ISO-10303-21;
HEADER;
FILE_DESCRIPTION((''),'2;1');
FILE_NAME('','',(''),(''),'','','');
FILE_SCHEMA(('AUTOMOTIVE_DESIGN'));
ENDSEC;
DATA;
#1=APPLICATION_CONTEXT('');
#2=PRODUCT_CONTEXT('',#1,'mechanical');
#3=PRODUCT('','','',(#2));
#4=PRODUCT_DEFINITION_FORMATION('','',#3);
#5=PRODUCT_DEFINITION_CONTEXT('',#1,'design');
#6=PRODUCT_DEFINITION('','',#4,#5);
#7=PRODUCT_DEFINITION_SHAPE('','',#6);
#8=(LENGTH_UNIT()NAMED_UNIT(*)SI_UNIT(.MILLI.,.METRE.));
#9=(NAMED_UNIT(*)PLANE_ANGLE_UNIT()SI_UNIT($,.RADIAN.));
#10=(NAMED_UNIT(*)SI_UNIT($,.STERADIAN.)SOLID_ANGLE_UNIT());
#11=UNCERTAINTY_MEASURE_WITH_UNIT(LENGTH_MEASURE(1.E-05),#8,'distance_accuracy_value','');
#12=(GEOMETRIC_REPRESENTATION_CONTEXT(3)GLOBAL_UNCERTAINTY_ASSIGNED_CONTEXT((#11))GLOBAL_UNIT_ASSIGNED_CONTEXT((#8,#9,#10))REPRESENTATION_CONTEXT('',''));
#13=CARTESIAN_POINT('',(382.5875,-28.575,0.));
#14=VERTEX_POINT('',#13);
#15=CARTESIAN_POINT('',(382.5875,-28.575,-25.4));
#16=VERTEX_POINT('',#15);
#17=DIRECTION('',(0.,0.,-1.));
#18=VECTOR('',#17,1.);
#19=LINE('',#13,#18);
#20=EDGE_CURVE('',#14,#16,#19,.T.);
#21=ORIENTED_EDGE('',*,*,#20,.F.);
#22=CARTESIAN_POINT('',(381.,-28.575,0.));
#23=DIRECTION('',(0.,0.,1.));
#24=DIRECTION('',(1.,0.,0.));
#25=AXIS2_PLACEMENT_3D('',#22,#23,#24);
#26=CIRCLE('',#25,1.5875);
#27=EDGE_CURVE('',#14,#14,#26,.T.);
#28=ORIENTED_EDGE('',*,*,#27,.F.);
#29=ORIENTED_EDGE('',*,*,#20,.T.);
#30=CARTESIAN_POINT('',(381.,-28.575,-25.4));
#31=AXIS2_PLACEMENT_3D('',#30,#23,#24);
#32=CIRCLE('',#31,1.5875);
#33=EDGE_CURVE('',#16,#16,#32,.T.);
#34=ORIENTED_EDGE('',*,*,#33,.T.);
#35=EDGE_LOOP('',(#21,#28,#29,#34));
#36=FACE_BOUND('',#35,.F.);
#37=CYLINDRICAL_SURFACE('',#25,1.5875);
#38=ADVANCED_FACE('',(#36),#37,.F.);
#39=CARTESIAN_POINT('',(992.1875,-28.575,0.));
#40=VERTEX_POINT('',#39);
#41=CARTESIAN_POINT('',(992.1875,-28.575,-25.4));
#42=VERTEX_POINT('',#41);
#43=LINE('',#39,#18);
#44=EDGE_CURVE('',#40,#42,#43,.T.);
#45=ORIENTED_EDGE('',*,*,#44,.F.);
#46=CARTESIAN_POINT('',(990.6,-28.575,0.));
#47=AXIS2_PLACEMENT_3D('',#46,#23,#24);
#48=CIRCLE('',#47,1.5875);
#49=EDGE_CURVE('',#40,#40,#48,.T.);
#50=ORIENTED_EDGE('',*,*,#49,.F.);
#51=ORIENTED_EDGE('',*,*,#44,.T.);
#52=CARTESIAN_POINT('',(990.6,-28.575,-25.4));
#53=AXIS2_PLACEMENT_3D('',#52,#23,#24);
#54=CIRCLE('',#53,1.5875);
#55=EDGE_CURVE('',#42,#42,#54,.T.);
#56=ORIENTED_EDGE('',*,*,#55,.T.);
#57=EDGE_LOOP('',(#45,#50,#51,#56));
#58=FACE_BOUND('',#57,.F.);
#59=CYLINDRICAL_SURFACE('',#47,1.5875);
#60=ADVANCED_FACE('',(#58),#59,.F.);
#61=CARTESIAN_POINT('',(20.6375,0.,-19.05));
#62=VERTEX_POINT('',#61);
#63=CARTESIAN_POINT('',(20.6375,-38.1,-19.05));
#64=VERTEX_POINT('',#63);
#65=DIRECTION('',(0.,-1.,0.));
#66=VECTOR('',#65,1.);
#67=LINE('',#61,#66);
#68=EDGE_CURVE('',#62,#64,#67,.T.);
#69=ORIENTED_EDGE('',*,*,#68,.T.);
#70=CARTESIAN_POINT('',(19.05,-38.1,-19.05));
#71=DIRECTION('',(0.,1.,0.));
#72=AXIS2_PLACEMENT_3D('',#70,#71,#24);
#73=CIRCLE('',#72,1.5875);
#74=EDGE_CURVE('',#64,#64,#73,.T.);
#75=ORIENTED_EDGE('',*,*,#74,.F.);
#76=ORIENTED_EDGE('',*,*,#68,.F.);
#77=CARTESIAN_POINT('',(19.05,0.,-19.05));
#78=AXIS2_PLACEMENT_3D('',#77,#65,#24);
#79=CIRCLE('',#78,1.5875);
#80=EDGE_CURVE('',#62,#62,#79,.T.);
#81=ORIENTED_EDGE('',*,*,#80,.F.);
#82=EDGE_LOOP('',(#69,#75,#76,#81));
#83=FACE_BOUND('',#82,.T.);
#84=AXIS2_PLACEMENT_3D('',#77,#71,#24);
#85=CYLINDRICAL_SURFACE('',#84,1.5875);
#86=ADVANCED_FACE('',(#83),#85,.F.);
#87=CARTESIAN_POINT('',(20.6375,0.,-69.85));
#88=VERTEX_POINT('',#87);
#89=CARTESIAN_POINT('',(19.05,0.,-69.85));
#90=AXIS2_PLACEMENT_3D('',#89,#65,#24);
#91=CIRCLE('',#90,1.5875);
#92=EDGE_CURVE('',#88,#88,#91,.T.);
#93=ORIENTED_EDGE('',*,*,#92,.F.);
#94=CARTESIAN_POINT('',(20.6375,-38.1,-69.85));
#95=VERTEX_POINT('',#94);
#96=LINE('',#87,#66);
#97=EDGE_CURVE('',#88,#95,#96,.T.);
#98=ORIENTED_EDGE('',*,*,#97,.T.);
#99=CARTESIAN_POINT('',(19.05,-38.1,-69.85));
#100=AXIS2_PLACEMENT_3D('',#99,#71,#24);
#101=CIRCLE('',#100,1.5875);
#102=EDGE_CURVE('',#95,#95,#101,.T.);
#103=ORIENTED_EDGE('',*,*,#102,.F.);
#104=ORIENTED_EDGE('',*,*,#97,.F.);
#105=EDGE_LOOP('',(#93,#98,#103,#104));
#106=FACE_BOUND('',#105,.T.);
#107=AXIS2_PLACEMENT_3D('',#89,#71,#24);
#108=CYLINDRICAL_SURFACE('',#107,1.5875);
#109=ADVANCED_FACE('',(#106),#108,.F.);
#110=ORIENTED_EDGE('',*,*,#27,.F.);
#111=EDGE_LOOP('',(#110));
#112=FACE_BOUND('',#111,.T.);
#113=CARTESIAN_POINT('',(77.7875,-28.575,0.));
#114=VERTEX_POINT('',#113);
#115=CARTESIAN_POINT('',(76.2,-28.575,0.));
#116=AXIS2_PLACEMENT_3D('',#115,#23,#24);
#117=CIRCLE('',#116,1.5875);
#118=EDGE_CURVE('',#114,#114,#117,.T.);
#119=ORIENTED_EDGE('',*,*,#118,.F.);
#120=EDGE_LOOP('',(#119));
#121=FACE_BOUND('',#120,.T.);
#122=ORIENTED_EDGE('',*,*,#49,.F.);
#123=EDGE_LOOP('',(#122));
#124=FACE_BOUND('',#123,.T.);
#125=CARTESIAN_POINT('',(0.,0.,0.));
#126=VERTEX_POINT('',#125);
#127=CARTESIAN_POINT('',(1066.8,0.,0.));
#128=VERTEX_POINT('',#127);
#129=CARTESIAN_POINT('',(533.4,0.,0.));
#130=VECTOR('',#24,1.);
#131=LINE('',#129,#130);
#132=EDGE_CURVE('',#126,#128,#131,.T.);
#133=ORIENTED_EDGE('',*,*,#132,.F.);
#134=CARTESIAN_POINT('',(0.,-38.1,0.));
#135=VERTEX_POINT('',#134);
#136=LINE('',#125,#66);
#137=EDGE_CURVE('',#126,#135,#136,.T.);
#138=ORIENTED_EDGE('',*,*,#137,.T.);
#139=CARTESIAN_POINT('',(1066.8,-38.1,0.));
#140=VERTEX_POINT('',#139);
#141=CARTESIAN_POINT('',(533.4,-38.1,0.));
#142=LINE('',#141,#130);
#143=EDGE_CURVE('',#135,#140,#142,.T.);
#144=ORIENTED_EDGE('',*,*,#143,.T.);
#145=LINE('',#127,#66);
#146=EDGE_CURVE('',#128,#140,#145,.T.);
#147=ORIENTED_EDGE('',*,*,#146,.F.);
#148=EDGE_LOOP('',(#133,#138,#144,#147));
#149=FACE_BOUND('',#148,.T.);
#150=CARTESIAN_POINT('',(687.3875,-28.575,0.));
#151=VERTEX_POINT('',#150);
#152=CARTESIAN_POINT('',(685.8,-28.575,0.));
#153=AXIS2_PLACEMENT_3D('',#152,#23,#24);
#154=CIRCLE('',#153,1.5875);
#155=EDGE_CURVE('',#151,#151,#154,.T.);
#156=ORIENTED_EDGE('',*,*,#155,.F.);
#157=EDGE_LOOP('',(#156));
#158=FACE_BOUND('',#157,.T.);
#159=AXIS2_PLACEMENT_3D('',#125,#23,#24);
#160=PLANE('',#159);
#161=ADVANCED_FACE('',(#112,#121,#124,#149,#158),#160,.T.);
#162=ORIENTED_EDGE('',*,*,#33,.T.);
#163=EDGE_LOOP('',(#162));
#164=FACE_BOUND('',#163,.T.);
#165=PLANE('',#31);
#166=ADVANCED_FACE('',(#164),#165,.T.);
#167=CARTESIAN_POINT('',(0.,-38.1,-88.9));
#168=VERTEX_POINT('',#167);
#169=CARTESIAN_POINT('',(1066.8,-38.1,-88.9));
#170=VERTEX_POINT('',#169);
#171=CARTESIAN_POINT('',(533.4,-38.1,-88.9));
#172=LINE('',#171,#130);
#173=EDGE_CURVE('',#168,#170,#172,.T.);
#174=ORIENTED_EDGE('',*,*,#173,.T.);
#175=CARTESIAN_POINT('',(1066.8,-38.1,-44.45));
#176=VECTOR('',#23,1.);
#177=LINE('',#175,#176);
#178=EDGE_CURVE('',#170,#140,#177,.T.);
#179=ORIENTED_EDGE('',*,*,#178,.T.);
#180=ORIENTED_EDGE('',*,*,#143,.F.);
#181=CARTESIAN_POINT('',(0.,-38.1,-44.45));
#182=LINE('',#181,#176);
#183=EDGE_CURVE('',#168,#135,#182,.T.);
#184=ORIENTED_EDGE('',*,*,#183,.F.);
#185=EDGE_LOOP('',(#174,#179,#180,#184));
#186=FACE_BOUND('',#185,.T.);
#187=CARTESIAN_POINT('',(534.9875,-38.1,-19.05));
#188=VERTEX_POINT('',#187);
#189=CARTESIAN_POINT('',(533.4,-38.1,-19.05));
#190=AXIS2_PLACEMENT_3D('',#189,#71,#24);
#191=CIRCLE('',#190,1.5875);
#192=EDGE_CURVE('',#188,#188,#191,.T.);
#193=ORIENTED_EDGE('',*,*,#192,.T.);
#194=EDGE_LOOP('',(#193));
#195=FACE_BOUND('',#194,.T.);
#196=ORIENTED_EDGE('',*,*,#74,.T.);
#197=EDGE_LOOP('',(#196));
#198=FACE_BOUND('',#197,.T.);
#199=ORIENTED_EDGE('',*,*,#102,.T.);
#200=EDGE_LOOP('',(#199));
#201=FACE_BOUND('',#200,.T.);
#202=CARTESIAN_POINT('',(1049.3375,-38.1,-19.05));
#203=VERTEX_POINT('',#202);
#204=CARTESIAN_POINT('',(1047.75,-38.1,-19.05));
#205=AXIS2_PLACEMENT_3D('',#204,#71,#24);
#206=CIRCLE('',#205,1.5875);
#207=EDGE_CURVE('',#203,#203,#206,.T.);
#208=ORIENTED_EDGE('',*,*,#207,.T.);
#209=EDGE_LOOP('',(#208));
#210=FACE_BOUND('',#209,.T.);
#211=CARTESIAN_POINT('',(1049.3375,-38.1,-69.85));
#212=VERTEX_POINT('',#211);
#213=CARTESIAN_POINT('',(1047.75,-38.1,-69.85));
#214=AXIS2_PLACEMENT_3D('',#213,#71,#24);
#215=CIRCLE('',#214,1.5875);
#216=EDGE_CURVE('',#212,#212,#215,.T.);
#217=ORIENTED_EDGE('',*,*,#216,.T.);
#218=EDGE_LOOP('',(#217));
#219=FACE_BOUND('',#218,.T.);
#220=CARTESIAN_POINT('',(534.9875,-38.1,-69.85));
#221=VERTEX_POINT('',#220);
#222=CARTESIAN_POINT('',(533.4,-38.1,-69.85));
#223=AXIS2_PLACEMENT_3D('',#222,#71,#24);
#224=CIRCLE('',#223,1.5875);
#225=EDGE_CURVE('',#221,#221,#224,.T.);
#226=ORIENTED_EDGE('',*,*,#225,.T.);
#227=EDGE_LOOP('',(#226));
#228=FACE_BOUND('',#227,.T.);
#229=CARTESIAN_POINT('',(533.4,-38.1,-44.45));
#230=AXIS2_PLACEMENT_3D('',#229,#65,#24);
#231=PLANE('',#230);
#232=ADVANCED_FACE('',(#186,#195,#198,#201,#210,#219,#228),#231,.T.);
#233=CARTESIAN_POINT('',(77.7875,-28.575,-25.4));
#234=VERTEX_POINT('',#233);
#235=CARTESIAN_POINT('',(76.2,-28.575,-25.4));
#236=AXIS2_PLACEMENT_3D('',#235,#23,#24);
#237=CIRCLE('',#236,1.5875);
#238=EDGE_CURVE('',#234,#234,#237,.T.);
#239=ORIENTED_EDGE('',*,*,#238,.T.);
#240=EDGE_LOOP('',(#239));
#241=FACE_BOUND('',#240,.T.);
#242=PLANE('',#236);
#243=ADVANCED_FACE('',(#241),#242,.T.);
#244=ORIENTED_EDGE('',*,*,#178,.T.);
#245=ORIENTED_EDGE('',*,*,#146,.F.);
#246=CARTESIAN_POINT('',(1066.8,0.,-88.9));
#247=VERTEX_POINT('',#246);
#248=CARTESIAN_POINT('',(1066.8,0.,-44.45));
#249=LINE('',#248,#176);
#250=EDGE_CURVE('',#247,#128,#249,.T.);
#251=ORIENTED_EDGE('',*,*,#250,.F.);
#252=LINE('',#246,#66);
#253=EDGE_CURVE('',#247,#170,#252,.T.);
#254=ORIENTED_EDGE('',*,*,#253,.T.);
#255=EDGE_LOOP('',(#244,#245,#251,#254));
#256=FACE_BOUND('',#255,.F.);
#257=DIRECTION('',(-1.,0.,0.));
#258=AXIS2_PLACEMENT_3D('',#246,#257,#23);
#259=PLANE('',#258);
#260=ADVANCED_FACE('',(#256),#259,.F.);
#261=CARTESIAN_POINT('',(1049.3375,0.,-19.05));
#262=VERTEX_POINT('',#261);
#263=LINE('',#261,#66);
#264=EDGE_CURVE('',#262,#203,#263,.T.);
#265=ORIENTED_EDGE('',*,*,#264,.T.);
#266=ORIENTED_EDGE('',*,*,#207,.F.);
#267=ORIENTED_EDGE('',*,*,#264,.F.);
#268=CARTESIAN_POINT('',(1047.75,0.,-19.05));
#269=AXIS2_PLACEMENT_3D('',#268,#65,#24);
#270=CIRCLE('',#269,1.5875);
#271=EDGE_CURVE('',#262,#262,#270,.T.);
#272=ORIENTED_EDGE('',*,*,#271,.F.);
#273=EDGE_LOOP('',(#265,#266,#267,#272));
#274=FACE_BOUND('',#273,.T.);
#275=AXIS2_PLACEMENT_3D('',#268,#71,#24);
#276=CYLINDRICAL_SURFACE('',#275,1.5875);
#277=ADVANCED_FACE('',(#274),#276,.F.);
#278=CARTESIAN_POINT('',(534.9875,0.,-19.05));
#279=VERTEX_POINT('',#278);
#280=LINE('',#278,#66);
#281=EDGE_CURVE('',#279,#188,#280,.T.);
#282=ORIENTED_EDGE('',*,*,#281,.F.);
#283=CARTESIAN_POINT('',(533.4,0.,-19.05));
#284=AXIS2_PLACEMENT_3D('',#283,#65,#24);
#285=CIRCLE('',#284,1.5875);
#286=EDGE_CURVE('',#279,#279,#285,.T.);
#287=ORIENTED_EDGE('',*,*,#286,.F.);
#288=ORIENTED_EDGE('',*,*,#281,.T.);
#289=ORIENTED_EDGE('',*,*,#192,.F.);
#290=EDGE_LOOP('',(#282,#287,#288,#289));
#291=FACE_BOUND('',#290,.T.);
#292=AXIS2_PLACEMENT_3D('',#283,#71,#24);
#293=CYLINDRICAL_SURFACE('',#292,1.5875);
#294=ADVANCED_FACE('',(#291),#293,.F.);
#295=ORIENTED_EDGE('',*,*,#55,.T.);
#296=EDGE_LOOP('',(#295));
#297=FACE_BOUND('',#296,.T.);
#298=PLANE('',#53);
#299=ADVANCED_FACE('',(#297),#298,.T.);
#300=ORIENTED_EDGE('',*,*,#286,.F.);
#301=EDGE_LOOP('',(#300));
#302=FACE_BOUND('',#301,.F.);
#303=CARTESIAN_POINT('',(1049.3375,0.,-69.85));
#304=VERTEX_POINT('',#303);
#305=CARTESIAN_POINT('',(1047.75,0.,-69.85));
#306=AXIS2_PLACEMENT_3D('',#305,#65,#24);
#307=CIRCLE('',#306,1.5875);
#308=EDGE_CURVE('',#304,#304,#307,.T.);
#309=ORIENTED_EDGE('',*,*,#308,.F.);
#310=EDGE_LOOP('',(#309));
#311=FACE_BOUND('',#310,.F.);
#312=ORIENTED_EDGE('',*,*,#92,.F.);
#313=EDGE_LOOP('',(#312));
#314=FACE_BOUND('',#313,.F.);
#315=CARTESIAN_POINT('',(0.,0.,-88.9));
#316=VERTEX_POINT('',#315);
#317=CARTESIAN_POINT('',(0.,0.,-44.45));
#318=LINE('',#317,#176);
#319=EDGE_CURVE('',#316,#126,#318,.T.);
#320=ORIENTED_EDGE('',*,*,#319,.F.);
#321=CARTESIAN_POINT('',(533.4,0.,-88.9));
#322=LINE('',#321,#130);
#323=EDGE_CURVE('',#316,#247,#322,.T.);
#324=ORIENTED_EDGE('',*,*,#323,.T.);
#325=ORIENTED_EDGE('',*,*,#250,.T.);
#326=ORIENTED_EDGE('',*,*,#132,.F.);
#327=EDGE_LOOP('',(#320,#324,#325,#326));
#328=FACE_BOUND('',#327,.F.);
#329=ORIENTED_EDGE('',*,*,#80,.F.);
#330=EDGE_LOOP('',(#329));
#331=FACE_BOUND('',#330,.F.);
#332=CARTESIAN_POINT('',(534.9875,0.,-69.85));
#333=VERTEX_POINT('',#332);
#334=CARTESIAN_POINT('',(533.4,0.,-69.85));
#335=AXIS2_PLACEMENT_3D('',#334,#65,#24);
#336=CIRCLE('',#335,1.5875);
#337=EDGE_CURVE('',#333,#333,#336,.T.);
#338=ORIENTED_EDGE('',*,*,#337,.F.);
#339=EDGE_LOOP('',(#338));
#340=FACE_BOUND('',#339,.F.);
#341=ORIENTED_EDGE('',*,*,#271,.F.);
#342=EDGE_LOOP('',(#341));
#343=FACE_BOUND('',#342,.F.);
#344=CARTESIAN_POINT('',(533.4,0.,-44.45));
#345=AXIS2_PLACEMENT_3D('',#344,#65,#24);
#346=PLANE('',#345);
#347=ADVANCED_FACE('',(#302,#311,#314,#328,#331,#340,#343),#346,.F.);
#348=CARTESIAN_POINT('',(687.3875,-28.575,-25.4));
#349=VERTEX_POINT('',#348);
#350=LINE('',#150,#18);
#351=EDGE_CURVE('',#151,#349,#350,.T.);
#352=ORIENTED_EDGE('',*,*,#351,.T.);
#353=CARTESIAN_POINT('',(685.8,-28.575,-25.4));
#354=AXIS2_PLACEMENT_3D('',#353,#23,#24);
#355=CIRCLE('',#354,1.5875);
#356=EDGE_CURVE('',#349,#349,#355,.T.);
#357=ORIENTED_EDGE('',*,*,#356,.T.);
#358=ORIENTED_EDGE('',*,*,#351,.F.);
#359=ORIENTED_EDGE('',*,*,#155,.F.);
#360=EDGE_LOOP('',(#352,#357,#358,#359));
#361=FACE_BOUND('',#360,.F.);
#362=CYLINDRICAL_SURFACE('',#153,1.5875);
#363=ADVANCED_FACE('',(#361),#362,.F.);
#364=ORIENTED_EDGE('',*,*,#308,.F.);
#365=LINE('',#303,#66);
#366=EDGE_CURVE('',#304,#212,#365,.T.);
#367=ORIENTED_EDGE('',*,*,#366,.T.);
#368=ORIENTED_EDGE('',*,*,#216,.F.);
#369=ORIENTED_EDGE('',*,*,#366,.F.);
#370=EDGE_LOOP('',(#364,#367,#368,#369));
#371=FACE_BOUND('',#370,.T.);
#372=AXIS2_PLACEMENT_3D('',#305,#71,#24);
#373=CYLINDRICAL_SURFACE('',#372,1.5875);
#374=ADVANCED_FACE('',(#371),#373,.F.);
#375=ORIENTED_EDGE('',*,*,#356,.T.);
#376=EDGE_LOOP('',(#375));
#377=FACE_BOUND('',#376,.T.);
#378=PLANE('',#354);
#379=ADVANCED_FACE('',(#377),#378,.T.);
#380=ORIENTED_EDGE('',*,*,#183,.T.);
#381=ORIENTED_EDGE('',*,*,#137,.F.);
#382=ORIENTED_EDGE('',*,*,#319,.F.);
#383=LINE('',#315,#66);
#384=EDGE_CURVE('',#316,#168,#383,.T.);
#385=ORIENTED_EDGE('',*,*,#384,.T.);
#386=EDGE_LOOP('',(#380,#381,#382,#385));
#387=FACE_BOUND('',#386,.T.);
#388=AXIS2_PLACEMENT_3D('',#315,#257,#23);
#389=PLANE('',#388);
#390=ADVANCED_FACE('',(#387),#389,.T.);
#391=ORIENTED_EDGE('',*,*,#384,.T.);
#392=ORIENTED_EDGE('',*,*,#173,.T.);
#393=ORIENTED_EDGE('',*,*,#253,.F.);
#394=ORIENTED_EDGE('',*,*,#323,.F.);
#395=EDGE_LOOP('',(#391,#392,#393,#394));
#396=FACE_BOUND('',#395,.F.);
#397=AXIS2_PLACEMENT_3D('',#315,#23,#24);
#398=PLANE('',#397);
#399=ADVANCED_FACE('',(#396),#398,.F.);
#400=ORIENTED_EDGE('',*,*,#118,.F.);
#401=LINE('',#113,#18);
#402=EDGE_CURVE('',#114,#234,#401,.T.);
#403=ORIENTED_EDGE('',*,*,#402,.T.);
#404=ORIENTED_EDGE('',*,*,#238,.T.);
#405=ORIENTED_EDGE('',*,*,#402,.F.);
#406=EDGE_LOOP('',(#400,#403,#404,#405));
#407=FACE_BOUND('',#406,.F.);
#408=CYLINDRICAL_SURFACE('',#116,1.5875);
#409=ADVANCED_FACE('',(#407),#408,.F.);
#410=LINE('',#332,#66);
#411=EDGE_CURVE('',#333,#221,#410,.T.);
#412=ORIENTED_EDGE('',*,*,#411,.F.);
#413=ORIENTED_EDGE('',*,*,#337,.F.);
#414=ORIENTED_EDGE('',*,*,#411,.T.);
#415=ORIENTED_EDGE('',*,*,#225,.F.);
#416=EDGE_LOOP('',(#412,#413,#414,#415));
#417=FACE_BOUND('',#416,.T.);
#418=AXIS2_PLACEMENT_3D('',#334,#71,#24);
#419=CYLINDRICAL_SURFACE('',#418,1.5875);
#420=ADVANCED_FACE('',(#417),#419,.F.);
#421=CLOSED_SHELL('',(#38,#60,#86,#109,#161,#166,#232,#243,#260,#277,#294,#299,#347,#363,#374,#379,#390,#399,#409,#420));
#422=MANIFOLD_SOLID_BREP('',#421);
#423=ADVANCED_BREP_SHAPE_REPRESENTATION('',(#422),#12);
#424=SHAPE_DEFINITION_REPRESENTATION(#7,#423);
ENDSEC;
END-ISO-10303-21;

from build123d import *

# Parameters (mm, degrees)
F0_W     = 1066.8
F0_H     = 88.9
F1_DEPTH = 38.1
F2_R     = 1.5875
F3_DEPTH = 25.4
F4_R     = 1.5875
F5_DEPTH = 38.101


with BuildPart() as f1:
    # F0 (on Front) → F1 (new body)
    with BuildSketch(Plane.XZ):
        with Locations((533.4, -44.45)):
            Rectangle(F0_W, F0_H)
    extrude(amount=F1_DEPTH)

    # F2 (on Top) → F3 (cut)
    with BuildSketch(Plane.XY):
        with Locations((76.2, -28.575)):
            Circle(F2_R)
        with Locations((381, -28.575)):
            Circle(F2_R)
        with Locations((685.8, -28.575)):
            Circle(F2_R)
        with Locations((990.6, -28.575)):
            Circle(F2_R)
    extrude(amount=-F3_DEPTH, mode=Mode.SUBTRACT)

    # F4 (on Front) → F5 (cut, through all)
    with BuildSketch(Plane.XZ):
        with Locations((19.05, -19.05)):
            Circle(F4_R)
        with Locations((19.05, -69.85)):
            Circle(F4_R)
        with Locations((533.4, -19.05)):
            Circle(F4_R)
        with Locations((533.4, -69.85)):
            Circle(F4_R)
        with Locations((1047.75, -19.05)):
            Circle(F4_R)
        with Locations((1047.75, -69.85)):
            Circle(F4_R)
    extrude(amount=F5_DEPTH, mode=Mode.SUBTRACT)


solid = f1.part
